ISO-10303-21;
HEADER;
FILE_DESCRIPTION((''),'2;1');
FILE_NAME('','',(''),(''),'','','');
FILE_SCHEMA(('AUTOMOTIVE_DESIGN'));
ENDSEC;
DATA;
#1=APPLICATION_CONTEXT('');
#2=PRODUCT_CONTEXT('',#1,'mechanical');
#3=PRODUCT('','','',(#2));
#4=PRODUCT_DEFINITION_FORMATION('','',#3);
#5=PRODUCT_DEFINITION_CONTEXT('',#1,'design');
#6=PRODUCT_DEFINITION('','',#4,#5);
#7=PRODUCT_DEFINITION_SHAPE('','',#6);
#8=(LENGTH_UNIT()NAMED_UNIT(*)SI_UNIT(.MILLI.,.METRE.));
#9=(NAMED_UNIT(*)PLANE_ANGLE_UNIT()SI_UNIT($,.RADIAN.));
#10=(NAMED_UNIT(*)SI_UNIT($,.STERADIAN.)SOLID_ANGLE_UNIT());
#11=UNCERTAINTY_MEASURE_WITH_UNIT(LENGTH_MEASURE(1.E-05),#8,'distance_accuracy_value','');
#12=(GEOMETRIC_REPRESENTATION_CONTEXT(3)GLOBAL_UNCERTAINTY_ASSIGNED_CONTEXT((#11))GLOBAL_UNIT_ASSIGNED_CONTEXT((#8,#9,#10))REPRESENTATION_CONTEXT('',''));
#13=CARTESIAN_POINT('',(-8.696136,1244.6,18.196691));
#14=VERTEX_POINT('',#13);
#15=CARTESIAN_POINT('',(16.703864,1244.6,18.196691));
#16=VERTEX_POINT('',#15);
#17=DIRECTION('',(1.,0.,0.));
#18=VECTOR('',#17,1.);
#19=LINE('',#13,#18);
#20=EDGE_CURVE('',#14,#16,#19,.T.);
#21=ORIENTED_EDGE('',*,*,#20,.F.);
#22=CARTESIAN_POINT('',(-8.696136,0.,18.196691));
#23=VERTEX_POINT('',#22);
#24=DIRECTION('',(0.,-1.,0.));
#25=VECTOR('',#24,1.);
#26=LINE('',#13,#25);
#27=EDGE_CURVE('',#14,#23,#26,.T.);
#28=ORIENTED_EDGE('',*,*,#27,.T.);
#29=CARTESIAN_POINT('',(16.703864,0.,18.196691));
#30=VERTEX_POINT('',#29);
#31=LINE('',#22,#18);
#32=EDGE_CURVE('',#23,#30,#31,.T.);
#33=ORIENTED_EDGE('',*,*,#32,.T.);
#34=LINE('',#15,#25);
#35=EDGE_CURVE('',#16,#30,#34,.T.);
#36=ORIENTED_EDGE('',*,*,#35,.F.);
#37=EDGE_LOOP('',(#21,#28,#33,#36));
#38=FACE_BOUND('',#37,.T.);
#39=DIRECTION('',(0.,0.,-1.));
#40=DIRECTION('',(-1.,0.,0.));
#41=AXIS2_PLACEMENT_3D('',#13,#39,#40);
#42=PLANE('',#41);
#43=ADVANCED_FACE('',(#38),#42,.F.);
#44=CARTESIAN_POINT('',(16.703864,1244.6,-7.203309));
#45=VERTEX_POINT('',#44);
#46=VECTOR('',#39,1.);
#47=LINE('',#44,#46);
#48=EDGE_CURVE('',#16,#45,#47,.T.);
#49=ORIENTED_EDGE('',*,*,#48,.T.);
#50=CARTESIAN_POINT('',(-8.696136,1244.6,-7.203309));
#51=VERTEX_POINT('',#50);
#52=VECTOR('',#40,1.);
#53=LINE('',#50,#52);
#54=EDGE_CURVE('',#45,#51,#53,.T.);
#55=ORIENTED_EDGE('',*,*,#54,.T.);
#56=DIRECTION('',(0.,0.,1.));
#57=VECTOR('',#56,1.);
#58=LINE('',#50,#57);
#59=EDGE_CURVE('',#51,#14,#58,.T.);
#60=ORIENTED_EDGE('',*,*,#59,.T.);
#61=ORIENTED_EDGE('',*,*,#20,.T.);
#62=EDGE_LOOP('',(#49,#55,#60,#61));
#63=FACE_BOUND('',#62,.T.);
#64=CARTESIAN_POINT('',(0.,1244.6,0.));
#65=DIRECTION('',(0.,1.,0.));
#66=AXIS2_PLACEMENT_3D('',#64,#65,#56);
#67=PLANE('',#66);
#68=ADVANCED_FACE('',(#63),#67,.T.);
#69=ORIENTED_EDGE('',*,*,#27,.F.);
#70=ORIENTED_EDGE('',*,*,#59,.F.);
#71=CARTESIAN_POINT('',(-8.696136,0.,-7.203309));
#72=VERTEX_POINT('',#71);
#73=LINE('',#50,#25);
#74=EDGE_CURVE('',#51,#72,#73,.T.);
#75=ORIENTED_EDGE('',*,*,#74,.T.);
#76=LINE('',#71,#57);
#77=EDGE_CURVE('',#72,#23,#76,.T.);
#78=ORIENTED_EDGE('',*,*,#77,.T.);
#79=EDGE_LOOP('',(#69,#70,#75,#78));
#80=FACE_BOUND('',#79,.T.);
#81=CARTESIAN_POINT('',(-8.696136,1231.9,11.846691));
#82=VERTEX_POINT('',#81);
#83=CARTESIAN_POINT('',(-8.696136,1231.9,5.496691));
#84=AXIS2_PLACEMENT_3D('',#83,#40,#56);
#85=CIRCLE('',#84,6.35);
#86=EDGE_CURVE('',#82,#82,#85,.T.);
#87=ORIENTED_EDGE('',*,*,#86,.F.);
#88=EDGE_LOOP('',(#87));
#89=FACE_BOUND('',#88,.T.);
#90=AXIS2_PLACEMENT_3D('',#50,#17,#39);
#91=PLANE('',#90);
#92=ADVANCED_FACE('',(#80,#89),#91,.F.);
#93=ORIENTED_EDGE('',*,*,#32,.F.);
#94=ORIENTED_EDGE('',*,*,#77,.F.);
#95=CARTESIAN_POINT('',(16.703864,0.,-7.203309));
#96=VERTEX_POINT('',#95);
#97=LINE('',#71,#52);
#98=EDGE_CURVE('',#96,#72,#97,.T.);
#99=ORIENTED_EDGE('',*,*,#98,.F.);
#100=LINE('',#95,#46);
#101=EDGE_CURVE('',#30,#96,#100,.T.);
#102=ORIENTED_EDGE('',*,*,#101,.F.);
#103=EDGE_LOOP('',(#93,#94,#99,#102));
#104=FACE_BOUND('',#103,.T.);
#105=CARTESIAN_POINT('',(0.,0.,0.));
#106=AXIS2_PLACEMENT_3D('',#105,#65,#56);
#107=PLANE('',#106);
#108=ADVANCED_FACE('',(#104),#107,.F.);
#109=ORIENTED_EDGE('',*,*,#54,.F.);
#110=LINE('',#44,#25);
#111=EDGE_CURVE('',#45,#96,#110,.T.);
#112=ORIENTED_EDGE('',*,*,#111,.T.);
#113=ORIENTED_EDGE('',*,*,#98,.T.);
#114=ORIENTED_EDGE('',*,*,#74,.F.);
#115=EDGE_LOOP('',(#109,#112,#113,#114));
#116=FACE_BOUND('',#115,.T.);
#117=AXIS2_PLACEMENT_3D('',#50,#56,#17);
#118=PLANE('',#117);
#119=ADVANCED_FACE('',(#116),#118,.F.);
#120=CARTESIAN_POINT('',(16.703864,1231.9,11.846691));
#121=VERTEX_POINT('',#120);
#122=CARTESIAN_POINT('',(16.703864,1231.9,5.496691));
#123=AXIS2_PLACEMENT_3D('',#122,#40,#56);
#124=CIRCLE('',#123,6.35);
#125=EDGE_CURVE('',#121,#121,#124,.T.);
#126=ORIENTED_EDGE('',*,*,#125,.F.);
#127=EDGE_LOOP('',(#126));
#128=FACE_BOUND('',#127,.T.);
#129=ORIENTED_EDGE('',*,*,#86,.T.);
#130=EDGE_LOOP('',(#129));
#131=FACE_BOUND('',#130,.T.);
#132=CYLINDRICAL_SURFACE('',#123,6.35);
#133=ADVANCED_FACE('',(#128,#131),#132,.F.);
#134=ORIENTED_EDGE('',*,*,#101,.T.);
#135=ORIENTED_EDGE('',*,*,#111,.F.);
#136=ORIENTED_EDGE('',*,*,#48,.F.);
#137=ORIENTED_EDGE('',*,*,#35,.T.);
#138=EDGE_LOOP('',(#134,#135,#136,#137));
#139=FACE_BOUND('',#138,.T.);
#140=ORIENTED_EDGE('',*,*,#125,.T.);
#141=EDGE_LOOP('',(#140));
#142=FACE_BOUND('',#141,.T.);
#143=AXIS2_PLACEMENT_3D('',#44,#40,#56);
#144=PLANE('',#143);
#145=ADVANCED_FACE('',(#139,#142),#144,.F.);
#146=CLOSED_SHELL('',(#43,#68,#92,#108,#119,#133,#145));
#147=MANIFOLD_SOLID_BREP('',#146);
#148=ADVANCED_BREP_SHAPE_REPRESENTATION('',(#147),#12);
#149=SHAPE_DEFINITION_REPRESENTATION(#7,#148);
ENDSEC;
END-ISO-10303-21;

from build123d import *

# Parameters (mm, degrees)
SKETCH1_W           = 25.4
SKETCH1_H           = 25.4
BOSS_EXTRUDE1_DEPTH = 1244.6
SKETCH2_R           = 6.35
CUT_EXTRUDE1_DEPTH  = 25.4


with BuildPart() as part:
    # Sketch1 → Boss-Extrude1 (new body)
    with BuildSketch(Plane(origin=(0, 0, 0), x_dir=(1, 0, 0), z_dir=(0, 1, 0))):
        with Locations((4.003864344, -5.496691195)):
            Rectangle(SKETCH1_W, SKETCH1_H)
    extrude(amount=BOSS_EXTRUDE1_DEPTH)

    # Sketch2 → Cut-Extrude1 (cut)
    with BuildSketch(Plane.ZY.offset(8.696135656)):
        with Locations((5.496691195, 1231.9)):
            Circle(SKETCH2_R)
    extrude(amount=-CUT_EXTRUDE1_DEPTH, mode=Mode.SUBTRACT)


solid = part.part
